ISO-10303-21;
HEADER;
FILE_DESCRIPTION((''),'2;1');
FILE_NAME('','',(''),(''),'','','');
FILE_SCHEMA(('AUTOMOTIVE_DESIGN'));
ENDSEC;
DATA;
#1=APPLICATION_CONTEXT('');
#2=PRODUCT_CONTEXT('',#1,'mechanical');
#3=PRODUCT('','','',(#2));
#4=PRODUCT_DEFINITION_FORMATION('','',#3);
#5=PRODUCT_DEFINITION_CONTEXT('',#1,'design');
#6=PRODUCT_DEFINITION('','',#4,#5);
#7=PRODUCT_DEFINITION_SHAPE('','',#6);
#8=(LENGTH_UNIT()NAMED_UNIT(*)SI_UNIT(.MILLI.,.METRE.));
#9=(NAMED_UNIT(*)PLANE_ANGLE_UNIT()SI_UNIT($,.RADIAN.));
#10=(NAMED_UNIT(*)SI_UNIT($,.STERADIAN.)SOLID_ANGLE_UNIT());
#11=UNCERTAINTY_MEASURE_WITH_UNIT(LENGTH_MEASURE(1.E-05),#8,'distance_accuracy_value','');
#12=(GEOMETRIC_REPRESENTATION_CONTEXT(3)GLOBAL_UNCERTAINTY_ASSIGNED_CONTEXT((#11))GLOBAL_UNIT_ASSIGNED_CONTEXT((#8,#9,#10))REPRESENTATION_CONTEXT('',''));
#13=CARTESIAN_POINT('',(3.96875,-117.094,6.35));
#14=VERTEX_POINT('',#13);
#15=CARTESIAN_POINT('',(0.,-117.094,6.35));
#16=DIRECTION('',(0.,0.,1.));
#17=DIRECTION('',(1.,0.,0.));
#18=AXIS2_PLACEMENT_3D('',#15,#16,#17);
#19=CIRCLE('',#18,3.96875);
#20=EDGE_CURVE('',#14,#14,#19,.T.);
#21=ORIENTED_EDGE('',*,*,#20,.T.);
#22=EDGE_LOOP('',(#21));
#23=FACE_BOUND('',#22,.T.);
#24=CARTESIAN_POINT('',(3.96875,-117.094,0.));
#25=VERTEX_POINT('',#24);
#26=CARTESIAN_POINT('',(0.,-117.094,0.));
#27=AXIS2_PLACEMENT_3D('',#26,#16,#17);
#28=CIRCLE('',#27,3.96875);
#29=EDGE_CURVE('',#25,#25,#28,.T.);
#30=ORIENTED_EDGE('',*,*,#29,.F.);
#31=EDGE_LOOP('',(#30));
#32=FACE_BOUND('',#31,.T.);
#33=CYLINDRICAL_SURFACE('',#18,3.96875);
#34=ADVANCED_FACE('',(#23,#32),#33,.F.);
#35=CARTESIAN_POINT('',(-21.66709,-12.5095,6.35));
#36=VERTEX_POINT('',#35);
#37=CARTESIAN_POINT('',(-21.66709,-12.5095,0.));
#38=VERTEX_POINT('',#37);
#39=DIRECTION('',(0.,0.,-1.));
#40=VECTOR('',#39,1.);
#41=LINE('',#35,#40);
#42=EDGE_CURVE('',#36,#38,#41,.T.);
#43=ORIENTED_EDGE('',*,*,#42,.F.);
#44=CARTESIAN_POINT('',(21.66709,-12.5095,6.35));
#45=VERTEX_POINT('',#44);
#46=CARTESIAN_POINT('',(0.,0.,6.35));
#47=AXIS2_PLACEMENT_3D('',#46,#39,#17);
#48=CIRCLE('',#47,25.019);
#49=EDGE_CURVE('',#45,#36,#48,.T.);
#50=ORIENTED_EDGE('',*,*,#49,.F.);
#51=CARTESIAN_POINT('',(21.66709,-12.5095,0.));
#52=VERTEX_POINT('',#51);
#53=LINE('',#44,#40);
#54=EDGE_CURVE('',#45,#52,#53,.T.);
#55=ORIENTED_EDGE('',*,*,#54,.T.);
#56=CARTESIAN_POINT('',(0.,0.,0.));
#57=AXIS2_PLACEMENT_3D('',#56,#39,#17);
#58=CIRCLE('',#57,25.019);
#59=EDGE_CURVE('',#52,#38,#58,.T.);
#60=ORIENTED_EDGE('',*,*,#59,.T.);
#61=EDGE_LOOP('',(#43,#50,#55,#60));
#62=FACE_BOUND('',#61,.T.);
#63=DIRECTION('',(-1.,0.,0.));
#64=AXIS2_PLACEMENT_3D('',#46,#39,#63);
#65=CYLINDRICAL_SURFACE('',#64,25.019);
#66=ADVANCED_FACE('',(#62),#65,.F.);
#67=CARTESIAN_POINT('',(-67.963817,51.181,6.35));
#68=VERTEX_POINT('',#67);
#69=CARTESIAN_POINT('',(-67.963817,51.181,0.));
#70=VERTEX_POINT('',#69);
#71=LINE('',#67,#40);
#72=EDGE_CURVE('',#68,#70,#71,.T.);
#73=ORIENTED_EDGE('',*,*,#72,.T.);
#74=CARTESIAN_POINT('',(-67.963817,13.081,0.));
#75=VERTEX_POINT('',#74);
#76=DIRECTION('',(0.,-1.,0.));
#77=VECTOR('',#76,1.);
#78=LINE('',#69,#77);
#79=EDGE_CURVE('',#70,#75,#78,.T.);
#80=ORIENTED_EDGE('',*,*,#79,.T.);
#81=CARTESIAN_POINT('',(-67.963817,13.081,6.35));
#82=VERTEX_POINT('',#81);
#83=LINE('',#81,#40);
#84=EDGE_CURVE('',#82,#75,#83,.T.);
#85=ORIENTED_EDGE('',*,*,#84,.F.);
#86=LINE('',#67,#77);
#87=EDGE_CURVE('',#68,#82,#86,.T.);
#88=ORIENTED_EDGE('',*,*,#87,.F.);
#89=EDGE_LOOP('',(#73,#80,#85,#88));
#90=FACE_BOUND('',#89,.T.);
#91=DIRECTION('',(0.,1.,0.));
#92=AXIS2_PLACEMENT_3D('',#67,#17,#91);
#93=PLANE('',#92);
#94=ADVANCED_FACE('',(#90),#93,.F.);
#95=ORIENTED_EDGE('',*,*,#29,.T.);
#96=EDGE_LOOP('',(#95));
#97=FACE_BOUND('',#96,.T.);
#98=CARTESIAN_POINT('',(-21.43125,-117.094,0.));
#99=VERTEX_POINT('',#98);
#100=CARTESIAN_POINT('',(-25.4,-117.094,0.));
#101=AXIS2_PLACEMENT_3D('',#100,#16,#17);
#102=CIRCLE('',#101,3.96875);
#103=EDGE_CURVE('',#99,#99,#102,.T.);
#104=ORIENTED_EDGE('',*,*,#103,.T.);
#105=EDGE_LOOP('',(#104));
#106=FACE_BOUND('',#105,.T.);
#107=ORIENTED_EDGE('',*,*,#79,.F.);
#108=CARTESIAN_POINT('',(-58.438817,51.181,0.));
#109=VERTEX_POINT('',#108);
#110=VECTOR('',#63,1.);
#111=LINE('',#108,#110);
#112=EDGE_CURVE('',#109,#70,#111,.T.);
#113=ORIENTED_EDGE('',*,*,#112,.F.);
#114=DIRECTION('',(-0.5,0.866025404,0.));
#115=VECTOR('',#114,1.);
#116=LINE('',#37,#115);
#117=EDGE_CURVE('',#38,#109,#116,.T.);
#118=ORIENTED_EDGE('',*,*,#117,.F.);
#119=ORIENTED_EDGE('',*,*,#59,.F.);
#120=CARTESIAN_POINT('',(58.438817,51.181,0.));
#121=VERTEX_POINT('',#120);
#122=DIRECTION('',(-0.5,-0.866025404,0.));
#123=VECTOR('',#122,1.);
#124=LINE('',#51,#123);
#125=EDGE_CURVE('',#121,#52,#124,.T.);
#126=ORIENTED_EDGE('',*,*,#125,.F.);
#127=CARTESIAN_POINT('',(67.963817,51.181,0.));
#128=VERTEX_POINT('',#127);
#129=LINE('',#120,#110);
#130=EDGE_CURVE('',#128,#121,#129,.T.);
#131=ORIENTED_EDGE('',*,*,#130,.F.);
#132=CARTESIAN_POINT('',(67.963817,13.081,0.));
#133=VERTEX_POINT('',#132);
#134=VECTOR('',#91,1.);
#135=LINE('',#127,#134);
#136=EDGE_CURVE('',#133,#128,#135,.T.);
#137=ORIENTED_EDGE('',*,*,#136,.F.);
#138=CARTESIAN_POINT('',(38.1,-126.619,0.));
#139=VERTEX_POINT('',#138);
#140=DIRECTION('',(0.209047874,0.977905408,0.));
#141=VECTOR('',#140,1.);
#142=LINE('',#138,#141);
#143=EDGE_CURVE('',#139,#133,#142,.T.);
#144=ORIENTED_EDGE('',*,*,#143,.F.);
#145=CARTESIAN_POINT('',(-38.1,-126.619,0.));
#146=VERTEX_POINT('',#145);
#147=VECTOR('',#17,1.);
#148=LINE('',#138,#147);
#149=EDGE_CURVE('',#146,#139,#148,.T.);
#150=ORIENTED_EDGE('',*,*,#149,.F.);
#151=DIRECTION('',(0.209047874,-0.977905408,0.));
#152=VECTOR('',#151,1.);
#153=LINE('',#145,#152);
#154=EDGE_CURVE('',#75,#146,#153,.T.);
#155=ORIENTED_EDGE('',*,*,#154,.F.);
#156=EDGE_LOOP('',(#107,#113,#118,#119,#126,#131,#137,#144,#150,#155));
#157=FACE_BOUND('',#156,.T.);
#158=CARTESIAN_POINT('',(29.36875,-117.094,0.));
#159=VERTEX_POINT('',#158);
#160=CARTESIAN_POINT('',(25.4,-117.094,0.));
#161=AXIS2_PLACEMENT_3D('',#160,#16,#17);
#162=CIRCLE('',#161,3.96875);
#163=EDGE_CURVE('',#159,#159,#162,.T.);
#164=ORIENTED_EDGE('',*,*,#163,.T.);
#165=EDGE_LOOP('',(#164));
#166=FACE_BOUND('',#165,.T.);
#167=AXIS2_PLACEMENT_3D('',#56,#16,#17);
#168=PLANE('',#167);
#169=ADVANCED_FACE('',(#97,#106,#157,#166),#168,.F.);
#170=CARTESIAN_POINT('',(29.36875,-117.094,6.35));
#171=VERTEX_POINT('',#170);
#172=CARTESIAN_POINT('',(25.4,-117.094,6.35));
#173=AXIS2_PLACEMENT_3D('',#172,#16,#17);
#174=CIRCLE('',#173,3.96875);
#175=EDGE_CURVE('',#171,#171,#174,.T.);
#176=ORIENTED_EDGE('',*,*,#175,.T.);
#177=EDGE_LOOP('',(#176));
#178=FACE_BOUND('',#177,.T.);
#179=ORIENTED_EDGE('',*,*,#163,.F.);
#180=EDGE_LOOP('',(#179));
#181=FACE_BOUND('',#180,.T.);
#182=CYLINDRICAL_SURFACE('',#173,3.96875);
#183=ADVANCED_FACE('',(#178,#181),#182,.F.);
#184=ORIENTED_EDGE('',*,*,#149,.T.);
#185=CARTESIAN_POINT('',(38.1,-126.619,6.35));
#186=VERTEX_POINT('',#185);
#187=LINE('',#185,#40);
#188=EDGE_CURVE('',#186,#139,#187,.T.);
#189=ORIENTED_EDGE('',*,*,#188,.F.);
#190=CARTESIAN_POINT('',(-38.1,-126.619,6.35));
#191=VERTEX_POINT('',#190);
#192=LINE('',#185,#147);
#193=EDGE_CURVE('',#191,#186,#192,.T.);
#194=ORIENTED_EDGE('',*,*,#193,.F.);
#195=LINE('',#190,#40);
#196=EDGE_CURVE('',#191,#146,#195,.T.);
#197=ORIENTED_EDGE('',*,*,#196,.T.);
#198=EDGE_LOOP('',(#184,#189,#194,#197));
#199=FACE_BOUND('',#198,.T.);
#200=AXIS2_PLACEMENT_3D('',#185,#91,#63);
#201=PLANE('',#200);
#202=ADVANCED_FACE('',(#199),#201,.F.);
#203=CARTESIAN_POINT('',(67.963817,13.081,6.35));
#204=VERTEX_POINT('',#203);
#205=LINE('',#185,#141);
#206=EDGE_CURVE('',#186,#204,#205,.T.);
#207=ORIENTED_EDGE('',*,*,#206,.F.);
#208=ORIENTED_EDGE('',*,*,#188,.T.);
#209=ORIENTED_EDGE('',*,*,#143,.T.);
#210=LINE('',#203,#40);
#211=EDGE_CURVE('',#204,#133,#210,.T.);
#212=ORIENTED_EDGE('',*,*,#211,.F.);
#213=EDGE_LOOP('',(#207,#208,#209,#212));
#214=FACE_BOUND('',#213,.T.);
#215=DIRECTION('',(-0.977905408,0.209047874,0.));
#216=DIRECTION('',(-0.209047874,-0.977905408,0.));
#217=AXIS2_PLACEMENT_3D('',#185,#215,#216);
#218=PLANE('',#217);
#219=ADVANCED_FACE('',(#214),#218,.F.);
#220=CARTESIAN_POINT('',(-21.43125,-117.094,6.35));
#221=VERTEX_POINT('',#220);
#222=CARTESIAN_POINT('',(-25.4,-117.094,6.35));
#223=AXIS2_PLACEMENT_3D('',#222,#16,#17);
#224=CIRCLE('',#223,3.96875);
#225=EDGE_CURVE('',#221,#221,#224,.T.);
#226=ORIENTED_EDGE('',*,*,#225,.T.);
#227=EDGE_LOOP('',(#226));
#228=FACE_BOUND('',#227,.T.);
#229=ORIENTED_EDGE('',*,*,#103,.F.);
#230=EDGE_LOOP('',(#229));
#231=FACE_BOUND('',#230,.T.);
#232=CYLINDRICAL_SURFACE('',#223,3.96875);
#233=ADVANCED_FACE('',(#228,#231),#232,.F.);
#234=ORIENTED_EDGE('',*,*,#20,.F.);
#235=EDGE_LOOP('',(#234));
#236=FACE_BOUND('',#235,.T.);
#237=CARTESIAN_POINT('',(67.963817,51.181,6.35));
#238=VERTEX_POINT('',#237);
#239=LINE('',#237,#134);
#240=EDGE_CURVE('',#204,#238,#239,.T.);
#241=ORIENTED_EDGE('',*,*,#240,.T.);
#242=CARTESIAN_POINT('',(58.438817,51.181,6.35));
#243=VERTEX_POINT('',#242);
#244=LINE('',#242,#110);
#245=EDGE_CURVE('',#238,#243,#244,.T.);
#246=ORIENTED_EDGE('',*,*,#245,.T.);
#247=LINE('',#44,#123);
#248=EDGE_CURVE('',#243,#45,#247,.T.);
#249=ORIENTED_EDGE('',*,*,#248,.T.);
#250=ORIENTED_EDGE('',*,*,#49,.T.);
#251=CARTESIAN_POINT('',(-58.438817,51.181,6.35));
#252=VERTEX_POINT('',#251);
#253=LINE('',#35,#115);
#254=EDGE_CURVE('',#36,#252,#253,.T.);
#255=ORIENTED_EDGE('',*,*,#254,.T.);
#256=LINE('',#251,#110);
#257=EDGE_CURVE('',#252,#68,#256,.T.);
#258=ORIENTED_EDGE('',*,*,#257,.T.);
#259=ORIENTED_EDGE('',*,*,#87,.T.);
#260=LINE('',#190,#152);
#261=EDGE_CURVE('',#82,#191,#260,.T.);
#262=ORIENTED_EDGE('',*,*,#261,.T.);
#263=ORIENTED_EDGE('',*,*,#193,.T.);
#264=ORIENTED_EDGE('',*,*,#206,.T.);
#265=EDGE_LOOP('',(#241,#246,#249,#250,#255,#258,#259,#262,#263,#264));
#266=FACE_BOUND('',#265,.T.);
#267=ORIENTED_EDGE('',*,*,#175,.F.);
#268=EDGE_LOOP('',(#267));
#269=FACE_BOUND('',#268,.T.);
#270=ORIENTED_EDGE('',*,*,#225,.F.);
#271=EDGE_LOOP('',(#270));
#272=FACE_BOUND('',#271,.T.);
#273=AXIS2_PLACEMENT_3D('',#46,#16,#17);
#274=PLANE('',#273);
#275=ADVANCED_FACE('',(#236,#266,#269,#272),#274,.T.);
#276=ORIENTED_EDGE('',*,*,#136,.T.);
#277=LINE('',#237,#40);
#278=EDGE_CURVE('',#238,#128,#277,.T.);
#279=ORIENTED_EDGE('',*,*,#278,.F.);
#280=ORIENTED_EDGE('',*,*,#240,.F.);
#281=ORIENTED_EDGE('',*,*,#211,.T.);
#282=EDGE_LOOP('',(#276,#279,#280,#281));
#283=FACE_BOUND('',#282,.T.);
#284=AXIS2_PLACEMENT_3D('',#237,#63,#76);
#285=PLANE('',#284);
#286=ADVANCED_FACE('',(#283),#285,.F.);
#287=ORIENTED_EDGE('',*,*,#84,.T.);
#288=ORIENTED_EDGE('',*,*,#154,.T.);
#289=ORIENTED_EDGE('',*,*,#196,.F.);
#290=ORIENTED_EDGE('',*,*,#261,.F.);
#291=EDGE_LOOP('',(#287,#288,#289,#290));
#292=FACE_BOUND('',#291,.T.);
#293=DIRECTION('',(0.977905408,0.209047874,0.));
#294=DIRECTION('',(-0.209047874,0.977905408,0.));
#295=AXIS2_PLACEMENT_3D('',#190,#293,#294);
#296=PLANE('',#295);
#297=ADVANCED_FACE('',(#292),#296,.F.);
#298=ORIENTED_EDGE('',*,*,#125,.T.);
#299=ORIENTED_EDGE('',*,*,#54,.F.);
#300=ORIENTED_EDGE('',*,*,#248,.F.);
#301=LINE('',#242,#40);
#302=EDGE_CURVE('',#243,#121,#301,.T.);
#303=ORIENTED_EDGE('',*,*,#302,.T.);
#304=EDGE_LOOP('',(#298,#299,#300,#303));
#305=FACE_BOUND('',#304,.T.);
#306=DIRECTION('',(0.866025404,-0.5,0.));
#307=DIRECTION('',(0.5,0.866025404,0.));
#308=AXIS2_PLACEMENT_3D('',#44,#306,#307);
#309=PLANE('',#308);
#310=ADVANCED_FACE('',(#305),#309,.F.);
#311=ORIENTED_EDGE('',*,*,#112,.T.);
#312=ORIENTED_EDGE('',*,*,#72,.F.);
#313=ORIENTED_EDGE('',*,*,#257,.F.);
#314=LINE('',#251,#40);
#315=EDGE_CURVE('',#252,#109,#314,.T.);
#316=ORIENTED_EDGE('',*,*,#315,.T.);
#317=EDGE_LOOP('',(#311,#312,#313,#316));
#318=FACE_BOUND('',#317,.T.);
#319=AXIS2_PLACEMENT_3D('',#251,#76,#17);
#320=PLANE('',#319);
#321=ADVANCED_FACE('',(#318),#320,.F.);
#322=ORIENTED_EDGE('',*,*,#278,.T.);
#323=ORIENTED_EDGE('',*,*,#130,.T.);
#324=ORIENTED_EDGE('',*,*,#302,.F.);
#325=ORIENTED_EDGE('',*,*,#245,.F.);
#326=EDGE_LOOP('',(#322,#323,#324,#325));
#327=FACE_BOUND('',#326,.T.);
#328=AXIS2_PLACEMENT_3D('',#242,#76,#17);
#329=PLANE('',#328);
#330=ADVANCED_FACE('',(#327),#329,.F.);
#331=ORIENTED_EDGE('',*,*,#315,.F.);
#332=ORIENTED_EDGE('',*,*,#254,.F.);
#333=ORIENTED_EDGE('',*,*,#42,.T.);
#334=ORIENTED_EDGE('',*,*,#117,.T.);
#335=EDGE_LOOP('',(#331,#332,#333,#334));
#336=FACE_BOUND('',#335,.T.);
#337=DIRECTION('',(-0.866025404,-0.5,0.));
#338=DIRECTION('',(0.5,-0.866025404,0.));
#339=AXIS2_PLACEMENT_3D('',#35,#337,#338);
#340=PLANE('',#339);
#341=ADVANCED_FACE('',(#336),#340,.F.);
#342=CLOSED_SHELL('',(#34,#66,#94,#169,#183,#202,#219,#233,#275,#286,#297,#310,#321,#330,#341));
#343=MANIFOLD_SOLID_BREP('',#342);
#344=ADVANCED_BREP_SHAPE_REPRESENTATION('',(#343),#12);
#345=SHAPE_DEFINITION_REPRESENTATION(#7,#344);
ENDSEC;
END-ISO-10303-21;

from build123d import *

# Parameters (mm, degrees)
BOSS_EXTRUDE1_DEPTH            = 6.35
F_5_16_0_3125_DIAMETER_HOLE1_D = 7.9375


with BuildPart() as part:
    # Sketch1 → Boss-Extrude1 (new body)
    with BuildSketch(Plane.XY):
        with BuildLine():
            Line((-21.667089577, -12.5095), (-58.438816897, 51.181))
            Line((-58.438816897, 51.181), (-67.963816897, 51.181))
            Line((-67.963816897, 51.181), (-67.963816897, 13.081))
            Line((-67.963816897, 13.081), (-38.1, -126.619))
            Line((-38.1, -126.619), (38.1, -126.619))
            Line((38.1, -126.619), (67.963816897, 13.081))
            Line((67.963816897, 13.081), (67.963816897, 51.181))
            Line((67.963816897, 51.181), (58.438816897, 51.181))
            Line((58.438816897, 51.181), (21.667089577, -12.5095))
            ThreePointArc((21.667089577, -12.5095), (0, -25.019), (-21.667089577, -12.5095))
        make_face()
    extrude(amount=BOSS_EXTRUDE1_DEPTH)

    # 5/16 (0.3125) Diameter Hole1 (through all)
    with Locations(Plane.XY.offset(6.35)):
        with Locations((-25.4, -117.094), (25.4, -117.094), (0, -117.094)):
            Hole(F_5_16_0_3125_DIAMETER_HOLE1_D / 2)


solid = part.part
